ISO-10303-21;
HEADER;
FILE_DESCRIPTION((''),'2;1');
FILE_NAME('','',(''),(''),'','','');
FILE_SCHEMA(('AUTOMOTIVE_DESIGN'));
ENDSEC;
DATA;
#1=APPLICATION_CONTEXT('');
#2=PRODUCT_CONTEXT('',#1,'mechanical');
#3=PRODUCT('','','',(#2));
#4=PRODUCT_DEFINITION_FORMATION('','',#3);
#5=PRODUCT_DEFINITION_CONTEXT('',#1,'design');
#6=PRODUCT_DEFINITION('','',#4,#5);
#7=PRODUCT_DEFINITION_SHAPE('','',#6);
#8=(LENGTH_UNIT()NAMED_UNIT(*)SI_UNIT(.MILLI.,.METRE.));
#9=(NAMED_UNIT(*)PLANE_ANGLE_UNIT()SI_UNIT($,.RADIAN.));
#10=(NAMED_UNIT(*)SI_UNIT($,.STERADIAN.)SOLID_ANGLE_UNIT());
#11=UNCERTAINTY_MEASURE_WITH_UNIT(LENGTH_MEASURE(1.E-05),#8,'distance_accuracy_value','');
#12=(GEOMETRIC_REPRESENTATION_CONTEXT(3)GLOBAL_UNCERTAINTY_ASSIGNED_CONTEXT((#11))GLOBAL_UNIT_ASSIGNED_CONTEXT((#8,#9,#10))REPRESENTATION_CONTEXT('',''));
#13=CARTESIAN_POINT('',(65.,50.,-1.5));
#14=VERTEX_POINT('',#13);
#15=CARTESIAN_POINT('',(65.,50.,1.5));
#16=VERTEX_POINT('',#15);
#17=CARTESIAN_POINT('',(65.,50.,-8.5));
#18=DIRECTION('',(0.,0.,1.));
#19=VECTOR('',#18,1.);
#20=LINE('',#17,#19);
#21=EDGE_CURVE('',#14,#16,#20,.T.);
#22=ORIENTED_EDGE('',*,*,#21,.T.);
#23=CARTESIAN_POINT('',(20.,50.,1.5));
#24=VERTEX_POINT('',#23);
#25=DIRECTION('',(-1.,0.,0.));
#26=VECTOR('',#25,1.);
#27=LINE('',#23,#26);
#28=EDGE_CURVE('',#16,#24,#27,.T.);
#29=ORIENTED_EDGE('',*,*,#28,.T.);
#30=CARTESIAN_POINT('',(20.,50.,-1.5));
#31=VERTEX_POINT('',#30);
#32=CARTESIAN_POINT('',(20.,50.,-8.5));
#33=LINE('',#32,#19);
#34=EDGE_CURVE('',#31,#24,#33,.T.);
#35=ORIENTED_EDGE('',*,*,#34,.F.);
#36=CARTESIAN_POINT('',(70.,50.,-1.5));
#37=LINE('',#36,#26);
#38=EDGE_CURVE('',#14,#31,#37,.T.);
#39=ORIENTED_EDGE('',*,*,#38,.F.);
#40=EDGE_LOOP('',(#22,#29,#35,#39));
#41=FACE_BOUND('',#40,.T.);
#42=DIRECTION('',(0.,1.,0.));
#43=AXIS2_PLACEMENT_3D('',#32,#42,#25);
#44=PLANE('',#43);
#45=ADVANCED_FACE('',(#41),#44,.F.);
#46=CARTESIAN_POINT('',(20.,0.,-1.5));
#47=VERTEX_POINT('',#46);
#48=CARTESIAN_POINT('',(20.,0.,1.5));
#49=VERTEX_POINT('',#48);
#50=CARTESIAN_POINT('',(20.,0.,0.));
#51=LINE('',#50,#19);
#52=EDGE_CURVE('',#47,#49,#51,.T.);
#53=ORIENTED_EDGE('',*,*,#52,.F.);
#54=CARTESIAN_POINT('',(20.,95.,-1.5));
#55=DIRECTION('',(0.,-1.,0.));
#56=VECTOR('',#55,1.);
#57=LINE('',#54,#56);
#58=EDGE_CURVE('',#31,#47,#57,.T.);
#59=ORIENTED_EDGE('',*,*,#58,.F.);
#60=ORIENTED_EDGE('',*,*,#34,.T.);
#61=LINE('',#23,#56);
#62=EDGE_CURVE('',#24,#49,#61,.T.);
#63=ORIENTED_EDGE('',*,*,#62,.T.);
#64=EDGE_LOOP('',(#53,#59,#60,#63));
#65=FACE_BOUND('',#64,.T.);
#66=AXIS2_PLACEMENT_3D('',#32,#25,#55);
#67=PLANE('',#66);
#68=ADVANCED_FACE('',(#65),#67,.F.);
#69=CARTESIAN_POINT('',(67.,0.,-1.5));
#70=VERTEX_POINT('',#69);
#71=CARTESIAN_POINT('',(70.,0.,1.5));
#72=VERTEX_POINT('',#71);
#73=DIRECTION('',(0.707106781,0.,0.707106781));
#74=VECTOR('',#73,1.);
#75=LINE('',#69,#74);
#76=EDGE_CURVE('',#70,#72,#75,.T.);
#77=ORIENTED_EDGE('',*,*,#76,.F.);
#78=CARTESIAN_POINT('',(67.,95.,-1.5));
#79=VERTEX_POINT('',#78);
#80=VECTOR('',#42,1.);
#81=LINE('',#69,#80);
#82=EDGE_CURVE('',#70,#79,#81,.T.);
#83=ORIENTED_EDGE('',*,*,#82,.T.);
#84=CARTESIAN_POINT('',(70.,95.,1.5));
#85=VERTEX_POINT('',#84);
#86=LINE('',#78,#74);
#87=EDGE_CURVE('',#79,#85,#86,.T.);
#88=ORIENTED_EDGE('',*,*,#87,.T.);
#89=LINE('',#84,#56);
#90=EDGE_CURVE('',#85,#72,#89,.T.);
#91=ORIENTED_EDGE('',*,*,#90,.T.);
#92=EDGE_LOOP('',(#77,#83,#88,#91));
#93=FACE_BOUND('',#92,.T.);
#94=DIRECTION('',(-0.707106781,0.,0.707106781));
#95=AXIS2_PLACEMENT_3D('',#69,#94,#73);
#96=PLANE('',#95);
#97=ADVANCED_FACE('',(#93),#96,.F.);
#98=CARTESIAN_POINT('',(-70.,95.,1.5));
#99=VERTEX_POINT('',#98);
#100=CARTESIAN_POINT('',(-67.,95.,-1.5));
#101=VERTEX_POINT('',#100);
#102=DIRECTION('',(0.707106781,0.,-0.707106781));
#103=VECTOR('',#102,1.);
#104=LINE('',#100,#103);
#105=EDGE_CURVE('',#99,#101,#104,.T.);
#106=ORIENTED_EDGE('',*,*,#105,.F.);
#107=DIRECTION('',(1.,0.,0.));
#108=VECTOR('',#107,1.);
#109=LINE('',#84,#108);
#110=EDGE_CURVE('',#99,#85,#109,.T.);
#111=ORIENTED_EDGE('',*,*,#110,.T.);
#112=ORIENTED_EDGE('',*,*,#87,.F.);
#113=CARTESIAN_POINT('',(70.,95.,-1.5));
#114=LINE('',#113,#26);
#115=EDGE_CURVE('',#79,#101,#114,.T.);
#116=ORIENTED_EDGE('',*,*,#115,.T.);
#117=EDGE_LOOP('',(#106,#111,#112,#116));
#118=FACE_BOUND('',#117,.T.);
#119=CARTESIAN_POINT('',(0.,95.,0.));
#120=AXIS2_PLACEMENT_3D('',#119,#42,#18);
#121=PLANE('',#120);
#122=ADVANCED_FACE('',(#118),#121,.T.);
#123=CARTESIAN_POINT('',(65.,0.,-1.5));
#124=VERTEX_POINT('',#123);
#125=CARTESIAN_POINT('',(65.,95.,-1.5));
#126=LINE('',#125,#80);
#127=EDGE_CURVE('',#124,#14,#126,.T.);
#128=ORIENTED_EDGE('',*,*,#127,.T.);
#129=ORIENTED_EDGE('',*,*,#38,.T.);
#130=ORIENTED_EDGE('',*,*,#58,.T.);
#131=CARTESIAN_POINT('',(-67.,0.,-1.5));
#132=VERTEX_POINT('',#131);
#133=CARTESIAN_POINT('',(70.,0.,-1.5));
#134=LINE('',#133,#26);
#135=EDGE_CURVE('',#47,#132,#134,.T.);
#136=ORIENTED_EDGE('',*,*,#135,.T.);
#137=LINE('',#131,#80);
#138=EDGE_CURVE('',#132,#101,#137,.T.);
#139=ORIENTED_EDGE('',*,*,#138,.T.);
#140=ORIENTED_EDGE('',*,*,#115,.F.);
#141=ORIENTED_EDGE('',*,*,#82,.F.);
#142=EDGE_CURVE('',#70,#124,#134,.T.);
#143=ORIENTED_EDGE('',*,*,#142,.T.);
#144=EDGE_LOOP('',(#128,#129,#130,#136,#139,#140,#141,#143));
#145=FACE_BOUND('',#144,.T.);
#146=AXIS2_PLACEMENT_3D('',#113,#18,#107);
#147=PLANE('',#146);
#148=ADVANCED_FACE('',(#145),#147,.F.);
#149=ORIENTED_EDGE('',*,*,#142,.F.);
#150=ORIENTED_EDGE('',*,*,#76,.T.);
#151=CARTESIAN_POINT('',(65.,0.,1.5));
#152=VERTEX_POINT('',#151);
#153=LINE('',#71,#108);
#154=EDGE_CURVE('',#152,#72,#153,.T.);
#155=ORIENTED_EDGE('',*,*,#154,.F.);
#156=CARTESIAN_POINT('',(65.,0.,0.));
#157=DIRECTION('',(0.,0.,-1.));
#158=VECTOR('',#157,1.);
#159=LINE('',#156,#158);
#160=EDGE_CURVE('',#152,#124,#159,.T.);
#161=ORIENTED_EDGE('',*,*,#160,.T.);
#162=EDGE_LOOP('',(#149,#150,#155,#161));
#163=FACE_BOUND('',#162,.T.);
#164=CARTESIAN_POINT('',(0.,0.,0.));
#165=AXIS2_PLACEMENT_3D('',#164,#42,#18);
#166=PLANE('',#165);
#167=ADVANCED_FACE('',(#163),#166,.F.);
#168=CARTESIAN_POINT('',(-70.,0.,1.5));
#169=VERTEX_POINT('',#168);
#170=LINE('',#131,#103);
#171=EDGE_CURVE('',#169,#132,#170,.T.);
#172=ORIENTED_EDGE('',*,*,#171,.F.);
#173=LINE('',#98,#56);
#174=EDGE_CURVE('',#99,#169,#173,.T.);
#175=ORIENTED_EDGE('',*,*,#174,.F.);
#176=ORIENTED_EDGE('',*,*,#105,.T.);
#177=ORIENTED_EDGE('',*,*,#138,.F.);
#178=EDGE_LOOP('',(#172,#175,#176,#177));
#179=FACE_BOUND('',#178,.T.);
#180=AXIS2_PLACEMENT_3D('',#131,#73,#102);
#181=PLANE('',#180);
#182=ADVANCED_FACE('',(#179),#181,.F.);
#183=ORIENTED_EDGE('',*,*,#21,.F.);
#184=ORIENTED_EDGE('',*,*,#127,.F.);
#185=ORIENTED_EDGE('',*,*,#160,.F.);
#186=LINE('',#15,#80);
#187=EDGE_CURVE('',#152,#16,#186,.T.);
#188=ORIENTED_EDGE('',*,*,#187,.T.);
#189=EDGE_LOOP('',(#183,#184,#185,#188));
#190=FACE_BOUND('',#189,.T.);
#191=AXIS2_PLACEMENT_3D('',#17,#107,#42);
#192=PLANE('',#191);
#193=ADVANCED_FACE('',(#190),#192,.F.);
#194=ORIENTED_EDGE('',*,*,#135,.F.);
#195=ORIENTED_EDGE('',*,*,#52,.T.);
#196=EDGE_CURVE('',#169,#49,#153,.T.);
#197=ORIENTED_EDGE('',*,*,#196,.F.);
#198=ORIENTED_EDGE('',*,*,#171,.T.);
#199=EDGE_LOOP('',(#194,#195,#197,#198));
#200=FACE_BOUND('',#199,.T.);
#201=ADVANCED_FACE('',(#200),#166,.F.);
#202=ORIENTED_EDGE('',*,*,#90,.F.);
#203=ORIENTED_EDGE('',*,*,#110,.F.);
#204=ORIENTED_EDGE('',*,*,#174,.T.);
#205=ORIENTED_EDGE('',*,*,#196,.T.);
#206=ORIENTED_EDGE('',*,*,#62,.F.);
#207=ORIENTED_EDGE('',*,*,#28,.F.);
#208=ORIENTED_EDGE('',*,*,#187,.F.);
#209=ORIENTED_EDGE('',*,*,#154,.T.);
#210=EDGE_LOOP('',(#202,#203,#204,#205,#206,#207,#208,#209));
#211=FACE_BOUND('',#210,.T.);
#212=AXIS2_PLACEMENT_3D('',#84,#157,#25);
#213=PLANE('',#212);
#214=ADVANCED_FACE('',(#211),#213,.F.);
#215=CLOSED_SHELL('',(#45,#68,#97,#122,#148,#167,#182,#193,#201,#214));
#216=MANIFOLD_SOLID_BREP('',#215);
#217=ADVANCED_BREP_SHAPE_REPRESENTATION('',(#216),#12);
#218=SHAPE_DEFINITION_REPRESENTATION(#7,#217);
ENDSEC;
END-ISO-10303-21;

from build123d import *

# Parameters (mm, degrees)
SKETCH1_W           = 140
SKETCH1_H           = 3
BOSS_EXTRUDE1_DEPTH = 95
CUT_EXTRUDE1_DEPTH  = 95
SKETCH4_W           = 45
SKETCH4_H           = 50
CUT_EXTRUDE3_DEPTH  = 10


with BuildPart() as part:
    # Sketch1 → Boss-Extrude1 (new body)
    with BuildSketch(Plane(origin=(0, 0, 0), x_dir=(1, 0, 0), z_dir=(0, 1, 0))):
        Rectangle(SKETCH1_W, SKETCH1_H)
    extrude(amount=BOSS_EXTRUDE1_DEPTH)

    # Sketch 377 → Cut-Extrude1 (cut)
    with BuildSketch(Plane(origin=(0, 95, 0), x_dir=(1, 0, 0), z_dir=(0, 1, 0))):
        Polygon((70, -1.5), (70, 1.5), (67, 1.5), align=None)
        Polygon((-70, -1.5), (-70, 1.5), (-67, 1.5), align=None)
    extrude(amount=-CUT_EXTRUDE1_DEPTH, mode=Mode.SUBTRACT)

    # Sketch4 → Cut-Extrude3 (cut)
    with BuildSketch(Plane.XY.offset(1.5)):
        with Locations((42.5, 25)):
            Rectangle(SKETCH4_W, SKETCH4_H)
    extrude(amount=-CUT_EXTRUDE3_DEPTH, mode=Mode.SUBTRACT)


solid = part.part
